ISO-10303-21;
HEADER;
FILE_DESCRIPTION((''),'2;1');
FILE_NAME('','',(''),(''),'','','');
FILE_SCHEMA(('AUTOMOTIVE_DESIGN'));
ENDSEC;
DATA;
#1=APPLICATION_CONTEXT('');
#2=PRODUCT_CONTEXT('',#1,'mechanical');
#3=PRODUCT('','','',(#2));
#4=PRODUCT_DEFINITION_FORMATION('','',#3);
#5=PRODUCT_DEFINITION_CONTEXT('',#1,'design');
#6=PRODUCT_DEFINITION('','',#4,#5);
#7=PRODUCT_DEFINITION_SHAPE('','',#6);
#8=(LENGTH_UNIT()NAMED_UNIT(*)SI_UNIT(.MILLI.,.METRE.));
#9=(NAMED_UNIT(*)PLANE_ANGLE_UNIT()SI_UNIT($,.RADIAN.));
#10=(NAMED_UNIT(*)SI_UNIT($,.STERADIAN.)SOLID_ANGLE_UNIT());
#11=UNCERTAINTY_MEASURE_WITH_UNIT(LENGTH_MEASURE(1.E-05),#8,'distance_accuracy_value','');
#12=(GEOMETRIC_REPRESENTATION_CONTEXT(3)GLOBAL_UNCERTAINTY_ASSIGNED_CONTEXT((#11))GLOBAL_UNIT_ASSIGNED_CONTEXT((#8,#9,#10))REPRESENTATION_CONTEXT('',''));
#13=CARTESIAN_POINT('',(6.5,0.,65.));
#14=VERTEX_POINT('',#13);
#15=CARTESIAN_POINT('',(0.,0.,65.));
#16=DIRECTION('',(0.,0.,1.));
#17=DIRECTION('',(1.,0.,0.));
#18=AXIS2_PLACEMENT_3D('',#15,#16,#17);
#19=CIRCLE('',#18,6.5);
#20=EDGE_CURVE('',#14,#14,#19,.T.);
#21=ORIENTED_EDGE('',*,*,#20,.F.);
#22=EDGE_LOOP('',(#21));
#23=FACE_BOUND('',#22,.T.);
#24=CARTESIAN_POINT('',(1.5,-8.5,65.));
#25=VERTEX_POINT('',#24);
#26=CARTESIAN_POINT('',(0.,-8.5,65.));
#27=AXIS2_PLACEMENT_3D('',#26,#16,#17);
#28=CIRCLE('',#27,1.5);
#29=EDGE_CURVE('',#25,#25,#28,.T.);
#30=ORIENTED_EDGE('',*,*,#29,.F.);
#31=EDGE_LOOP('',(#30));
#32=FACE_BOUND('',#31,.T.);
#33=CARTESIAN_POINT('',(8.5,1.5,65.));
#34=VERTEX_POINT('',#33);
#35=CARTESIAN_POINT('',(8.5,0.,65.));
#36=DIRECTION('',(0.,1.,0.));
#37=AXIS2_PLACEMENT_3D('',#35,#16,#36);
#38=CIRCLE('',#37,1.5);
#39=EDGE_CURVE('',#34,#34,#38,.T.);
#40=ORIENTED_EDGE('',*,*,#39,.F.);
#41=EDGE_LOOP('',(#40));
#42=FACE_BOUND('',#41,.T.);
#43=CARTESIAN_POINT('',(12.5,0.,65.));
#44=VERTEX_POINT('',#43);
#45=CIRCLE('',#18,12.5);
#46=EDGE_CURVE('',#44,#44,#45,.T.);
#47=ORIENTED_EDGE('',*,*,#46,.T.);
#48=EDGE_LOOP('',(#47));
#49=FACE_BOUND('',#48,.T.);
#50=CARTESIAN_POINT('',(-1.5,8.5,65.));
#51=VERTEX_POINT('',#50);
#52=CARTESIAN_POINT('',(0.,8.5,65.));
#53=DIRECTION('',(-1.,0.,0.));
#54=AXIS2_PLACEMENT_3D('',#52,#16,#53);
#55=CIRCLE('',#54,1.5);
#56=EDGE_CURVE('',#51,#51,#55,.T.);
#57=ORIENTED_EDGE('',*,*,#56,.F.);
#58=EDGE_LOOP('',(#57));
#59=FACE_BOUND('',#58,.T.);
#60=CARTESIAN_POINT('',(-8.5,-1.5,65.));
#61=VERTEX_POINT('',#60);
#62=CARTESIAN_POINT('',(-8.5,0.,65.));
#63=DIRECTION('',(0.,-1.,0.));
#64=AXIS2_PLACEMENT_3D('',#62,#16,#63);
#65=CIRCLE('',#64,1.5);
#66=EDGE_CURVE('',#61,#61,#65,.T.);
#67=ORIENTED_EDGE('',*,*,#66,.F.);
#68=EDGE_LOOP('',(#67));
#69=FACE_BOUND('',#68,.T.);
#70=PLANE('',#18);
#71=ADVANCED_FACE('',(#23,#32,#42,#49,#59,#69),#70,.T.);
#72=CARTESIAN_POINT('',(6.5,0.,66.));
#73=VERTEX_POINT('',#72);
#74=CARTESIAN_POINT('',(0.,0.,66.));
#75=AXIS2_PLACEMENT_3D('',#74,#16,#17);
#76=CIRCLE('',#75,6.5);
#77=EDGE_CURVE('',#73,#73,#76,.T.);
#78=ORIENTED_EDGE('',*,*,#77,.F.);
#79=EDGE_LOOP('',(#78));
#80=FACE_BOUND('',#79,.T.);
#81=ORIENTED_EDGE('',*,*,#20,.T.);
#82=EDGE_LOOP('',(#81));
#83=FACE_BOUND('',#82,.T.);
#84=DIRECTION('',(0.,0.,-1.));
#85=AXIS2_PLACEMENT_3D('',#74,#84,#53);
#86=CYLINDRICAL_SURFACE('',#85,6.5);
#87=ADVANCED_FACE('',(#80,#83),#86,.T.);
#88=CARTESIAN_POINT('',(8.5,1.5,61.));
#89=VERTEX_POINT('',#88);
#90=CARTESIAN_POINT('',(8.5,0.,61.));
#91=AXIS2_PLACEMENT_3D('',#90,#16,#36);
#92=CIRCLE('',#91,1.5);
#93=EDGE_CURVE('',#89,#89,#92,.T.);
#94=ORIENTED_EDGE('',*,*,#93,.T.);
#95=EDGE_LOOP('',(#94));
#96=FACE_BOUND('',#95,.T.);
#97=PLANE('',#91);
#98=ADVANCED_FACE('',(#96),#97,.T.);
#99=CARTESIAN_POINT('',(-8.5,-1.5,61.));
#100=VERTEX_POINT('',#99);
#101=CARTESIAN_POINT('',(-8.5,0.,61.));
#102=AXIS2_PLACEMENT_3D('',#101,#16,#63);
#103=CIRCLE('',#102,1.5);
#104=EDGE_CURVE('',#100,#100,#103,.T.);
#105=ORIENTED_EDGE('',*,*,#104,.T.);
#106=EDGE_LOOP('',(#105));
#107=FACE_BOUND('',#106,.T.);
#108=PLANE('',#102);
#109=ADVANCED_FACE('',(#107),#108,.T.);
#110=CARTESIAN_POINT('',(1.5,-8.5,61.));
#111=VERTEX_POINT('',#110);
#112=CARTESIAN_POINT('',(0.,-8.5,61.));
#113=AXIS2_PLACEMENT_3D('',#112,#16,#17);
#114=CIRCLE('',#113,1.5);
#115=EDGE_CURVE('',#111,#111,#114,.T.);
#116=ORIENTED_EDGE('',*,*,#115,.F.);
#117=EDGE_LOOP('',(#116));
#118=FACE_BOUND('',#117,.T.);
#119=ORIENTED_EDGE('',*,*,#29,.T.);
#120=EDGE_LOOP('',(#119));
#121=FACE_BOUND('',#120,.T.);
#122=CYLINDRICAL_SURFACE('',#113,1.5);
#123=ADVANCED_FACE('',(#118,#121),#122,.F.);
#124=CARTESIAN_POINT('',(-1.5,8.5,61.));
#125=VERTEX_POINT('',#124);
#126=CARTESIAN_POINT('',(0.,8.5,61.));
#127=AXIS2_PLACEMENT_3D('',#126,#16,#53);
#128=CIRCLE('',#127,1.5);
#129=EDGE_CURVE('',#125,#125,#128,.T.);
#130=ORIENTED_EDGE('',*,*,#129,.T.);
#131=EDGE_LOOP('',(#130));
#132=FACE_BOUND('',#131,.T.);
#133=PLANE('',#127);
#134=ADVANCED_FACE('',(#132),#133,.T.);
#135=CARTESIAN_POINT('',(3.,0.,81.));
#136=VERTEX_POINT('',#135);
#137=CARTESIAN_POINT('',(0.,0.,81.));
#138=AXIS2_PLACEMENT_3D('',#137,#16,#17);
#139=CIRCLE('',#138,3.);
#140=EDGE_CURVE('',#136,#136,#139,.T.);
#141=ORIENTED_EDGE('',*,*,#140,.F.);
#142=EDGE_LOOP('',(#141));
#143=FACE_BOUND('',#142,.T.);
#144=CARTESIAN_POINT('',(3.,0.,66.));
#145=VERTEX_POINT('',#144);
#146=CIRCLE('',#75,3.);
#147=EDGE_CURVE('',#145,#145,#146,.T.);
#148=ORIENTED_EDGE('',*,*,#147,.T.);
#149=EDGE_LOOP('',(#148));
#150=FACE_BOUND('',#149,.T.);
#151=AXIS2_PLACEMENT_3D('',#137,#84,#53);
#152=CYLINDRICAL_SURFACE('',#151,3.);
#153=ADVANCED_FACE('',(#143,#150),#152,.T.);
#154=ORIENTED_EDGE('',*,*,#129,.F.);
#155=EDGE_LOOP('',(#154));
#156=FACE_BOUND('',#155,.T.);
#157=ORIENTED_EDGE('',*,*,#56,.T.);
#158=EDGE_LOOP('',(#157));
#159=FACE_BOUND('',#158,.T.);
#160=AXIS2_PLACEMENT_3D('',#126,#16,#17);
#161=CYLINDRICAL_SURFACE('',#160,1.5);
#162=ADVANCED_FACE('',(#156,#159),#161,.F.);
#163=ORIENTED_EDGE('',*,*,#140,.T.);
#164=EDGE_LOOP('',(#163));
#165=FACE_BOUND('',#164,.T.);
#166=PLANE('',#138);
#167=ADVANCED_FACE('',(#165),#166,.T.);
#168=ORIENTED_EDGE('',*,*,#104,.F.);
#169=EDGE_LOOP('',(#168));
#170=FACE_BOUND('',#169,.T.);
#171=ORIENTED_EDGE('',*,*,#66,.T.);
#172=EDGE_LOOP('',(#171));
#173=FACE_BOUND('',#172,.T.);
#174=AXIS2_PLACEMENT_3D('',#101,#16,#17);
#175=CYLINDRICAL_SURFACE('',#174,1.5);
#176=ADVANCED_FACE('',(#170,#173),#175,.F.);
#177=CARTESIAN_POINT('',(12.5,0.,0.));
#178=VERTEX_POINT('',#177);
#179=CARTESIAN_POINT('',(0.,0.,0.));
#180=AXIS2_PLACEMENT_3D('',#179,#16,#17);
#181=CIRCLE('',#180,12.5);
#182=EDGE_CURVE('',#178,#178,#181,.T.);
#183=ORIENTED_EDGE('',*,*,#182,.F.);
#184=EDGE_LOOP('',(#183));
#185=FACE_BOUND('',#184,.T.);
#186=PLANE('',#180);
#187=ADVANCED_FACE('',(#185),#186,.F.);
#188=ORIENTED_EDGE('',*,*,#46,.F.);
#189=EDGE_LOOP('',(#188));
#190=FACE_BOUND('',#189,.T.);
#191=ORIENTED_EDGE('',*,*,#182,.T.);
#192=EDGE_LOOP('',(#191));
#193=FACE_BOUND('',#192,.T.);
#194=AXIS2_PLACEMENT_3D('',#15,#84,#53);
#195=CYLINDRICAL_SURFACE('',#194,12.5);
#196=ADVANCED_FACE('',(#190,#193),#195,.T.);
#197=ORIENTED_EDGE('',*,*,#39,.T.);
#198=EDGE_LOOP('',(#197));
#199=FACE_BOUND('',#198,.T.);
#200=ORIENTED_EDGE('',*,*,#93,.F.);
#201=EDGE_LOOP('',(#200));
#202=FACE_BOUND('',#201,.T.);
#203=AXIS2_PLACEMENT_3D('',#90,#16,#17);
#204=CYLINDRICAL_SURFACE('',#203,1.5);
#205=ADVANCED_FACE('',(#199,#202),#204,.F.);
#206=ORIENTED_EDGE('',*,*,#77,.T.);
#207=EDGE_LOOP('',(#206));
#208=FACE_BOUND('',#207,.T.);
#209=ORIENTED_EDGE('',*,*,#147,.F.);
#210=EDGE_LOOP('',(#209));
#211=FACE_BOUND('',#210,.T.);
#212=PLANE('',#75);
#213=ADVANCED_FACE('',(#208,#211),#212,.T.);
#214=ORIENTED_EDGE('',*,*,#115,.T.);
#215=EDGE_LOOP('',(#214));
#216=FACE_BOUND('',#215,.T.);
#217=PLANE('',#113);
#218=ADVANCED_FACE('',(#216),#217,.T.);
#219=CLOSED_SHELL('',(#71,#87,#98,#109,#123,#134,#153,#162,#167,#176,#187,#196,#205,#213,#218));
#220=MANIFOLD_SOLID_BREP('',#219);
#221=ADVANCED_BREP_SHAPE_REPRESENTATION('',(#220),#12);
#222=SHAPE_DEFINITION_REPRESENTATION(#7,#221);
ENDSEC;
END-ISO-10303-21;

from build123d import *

# Parameters (mm, degrees)
ESBO_O1_R                = 12.5
RESSALTO_EXTRUS_O1_DEPTH = 65
ESBO_O2_R                = 6.5
RESSALTO_EXTRUS_O2_DEPTH = 1
ESBO_O3_R                = 3
RESSALTO_EXTRUS_O3_DEPTH = 15
ESBO_O4_R                = 1.5
CORTE_EXTRUS_O1_DEPTH    = 4
PADR_OCIRCULAR1_COUNT    = 4


with BuildPart() as part:
    # Esboço1 → Ressalto-extrusão1 (new body)
    with BuildSketch(Plane.XY):
        Circle(ESBO_O1_R)
    extrude(amount=RESSALTO_EXTRUS_O1_DEPTH)

    # Esboço2 → Ressalto-extrusão2 (add)
    with BuildSketch(Plane.XY.offset(65)):
        Circle(ESBO_O2_R)
    extrude(amount=RESSALTO_EXTRUS_O2_DEPTH)

    # Esboço3 → Ressalto-extrusão3 (add)
    with BuildSketch(Plane.XY.offset(66)):
        Circle(ESBO_O3_R)
    extrude(amount=RESSALTO_EXTRUS_O3_DEPTH)

    # Esboço4 → Corte-extrusão1 (cut)
    with BuildSketch(Plane.XY.offset(65)):
        with Locations((0, -8.5)):
            Circle(ESBO_O4_R)
    corte_extrus_o1 = extrude(amount=-CORTE_EXTRUS_O1_DEPTH, mode=Mode.SUBTRACT)

    # PadrãoCircular1: Corte-extrusão1 ×4 about axis
    padr_ocircular1_axis = Axis((0, 0, 0), (0, 0, 1))
    for i in range(1, PADR_OCIRCULAR1_COUNT):
        add(corte_extrus_o1.rotate(padr_ocircular1_axis, i * 360 / PADR_OCIRCULAR1_COUNT), mode=Mode.SUBTRACT)


solid = part.part
